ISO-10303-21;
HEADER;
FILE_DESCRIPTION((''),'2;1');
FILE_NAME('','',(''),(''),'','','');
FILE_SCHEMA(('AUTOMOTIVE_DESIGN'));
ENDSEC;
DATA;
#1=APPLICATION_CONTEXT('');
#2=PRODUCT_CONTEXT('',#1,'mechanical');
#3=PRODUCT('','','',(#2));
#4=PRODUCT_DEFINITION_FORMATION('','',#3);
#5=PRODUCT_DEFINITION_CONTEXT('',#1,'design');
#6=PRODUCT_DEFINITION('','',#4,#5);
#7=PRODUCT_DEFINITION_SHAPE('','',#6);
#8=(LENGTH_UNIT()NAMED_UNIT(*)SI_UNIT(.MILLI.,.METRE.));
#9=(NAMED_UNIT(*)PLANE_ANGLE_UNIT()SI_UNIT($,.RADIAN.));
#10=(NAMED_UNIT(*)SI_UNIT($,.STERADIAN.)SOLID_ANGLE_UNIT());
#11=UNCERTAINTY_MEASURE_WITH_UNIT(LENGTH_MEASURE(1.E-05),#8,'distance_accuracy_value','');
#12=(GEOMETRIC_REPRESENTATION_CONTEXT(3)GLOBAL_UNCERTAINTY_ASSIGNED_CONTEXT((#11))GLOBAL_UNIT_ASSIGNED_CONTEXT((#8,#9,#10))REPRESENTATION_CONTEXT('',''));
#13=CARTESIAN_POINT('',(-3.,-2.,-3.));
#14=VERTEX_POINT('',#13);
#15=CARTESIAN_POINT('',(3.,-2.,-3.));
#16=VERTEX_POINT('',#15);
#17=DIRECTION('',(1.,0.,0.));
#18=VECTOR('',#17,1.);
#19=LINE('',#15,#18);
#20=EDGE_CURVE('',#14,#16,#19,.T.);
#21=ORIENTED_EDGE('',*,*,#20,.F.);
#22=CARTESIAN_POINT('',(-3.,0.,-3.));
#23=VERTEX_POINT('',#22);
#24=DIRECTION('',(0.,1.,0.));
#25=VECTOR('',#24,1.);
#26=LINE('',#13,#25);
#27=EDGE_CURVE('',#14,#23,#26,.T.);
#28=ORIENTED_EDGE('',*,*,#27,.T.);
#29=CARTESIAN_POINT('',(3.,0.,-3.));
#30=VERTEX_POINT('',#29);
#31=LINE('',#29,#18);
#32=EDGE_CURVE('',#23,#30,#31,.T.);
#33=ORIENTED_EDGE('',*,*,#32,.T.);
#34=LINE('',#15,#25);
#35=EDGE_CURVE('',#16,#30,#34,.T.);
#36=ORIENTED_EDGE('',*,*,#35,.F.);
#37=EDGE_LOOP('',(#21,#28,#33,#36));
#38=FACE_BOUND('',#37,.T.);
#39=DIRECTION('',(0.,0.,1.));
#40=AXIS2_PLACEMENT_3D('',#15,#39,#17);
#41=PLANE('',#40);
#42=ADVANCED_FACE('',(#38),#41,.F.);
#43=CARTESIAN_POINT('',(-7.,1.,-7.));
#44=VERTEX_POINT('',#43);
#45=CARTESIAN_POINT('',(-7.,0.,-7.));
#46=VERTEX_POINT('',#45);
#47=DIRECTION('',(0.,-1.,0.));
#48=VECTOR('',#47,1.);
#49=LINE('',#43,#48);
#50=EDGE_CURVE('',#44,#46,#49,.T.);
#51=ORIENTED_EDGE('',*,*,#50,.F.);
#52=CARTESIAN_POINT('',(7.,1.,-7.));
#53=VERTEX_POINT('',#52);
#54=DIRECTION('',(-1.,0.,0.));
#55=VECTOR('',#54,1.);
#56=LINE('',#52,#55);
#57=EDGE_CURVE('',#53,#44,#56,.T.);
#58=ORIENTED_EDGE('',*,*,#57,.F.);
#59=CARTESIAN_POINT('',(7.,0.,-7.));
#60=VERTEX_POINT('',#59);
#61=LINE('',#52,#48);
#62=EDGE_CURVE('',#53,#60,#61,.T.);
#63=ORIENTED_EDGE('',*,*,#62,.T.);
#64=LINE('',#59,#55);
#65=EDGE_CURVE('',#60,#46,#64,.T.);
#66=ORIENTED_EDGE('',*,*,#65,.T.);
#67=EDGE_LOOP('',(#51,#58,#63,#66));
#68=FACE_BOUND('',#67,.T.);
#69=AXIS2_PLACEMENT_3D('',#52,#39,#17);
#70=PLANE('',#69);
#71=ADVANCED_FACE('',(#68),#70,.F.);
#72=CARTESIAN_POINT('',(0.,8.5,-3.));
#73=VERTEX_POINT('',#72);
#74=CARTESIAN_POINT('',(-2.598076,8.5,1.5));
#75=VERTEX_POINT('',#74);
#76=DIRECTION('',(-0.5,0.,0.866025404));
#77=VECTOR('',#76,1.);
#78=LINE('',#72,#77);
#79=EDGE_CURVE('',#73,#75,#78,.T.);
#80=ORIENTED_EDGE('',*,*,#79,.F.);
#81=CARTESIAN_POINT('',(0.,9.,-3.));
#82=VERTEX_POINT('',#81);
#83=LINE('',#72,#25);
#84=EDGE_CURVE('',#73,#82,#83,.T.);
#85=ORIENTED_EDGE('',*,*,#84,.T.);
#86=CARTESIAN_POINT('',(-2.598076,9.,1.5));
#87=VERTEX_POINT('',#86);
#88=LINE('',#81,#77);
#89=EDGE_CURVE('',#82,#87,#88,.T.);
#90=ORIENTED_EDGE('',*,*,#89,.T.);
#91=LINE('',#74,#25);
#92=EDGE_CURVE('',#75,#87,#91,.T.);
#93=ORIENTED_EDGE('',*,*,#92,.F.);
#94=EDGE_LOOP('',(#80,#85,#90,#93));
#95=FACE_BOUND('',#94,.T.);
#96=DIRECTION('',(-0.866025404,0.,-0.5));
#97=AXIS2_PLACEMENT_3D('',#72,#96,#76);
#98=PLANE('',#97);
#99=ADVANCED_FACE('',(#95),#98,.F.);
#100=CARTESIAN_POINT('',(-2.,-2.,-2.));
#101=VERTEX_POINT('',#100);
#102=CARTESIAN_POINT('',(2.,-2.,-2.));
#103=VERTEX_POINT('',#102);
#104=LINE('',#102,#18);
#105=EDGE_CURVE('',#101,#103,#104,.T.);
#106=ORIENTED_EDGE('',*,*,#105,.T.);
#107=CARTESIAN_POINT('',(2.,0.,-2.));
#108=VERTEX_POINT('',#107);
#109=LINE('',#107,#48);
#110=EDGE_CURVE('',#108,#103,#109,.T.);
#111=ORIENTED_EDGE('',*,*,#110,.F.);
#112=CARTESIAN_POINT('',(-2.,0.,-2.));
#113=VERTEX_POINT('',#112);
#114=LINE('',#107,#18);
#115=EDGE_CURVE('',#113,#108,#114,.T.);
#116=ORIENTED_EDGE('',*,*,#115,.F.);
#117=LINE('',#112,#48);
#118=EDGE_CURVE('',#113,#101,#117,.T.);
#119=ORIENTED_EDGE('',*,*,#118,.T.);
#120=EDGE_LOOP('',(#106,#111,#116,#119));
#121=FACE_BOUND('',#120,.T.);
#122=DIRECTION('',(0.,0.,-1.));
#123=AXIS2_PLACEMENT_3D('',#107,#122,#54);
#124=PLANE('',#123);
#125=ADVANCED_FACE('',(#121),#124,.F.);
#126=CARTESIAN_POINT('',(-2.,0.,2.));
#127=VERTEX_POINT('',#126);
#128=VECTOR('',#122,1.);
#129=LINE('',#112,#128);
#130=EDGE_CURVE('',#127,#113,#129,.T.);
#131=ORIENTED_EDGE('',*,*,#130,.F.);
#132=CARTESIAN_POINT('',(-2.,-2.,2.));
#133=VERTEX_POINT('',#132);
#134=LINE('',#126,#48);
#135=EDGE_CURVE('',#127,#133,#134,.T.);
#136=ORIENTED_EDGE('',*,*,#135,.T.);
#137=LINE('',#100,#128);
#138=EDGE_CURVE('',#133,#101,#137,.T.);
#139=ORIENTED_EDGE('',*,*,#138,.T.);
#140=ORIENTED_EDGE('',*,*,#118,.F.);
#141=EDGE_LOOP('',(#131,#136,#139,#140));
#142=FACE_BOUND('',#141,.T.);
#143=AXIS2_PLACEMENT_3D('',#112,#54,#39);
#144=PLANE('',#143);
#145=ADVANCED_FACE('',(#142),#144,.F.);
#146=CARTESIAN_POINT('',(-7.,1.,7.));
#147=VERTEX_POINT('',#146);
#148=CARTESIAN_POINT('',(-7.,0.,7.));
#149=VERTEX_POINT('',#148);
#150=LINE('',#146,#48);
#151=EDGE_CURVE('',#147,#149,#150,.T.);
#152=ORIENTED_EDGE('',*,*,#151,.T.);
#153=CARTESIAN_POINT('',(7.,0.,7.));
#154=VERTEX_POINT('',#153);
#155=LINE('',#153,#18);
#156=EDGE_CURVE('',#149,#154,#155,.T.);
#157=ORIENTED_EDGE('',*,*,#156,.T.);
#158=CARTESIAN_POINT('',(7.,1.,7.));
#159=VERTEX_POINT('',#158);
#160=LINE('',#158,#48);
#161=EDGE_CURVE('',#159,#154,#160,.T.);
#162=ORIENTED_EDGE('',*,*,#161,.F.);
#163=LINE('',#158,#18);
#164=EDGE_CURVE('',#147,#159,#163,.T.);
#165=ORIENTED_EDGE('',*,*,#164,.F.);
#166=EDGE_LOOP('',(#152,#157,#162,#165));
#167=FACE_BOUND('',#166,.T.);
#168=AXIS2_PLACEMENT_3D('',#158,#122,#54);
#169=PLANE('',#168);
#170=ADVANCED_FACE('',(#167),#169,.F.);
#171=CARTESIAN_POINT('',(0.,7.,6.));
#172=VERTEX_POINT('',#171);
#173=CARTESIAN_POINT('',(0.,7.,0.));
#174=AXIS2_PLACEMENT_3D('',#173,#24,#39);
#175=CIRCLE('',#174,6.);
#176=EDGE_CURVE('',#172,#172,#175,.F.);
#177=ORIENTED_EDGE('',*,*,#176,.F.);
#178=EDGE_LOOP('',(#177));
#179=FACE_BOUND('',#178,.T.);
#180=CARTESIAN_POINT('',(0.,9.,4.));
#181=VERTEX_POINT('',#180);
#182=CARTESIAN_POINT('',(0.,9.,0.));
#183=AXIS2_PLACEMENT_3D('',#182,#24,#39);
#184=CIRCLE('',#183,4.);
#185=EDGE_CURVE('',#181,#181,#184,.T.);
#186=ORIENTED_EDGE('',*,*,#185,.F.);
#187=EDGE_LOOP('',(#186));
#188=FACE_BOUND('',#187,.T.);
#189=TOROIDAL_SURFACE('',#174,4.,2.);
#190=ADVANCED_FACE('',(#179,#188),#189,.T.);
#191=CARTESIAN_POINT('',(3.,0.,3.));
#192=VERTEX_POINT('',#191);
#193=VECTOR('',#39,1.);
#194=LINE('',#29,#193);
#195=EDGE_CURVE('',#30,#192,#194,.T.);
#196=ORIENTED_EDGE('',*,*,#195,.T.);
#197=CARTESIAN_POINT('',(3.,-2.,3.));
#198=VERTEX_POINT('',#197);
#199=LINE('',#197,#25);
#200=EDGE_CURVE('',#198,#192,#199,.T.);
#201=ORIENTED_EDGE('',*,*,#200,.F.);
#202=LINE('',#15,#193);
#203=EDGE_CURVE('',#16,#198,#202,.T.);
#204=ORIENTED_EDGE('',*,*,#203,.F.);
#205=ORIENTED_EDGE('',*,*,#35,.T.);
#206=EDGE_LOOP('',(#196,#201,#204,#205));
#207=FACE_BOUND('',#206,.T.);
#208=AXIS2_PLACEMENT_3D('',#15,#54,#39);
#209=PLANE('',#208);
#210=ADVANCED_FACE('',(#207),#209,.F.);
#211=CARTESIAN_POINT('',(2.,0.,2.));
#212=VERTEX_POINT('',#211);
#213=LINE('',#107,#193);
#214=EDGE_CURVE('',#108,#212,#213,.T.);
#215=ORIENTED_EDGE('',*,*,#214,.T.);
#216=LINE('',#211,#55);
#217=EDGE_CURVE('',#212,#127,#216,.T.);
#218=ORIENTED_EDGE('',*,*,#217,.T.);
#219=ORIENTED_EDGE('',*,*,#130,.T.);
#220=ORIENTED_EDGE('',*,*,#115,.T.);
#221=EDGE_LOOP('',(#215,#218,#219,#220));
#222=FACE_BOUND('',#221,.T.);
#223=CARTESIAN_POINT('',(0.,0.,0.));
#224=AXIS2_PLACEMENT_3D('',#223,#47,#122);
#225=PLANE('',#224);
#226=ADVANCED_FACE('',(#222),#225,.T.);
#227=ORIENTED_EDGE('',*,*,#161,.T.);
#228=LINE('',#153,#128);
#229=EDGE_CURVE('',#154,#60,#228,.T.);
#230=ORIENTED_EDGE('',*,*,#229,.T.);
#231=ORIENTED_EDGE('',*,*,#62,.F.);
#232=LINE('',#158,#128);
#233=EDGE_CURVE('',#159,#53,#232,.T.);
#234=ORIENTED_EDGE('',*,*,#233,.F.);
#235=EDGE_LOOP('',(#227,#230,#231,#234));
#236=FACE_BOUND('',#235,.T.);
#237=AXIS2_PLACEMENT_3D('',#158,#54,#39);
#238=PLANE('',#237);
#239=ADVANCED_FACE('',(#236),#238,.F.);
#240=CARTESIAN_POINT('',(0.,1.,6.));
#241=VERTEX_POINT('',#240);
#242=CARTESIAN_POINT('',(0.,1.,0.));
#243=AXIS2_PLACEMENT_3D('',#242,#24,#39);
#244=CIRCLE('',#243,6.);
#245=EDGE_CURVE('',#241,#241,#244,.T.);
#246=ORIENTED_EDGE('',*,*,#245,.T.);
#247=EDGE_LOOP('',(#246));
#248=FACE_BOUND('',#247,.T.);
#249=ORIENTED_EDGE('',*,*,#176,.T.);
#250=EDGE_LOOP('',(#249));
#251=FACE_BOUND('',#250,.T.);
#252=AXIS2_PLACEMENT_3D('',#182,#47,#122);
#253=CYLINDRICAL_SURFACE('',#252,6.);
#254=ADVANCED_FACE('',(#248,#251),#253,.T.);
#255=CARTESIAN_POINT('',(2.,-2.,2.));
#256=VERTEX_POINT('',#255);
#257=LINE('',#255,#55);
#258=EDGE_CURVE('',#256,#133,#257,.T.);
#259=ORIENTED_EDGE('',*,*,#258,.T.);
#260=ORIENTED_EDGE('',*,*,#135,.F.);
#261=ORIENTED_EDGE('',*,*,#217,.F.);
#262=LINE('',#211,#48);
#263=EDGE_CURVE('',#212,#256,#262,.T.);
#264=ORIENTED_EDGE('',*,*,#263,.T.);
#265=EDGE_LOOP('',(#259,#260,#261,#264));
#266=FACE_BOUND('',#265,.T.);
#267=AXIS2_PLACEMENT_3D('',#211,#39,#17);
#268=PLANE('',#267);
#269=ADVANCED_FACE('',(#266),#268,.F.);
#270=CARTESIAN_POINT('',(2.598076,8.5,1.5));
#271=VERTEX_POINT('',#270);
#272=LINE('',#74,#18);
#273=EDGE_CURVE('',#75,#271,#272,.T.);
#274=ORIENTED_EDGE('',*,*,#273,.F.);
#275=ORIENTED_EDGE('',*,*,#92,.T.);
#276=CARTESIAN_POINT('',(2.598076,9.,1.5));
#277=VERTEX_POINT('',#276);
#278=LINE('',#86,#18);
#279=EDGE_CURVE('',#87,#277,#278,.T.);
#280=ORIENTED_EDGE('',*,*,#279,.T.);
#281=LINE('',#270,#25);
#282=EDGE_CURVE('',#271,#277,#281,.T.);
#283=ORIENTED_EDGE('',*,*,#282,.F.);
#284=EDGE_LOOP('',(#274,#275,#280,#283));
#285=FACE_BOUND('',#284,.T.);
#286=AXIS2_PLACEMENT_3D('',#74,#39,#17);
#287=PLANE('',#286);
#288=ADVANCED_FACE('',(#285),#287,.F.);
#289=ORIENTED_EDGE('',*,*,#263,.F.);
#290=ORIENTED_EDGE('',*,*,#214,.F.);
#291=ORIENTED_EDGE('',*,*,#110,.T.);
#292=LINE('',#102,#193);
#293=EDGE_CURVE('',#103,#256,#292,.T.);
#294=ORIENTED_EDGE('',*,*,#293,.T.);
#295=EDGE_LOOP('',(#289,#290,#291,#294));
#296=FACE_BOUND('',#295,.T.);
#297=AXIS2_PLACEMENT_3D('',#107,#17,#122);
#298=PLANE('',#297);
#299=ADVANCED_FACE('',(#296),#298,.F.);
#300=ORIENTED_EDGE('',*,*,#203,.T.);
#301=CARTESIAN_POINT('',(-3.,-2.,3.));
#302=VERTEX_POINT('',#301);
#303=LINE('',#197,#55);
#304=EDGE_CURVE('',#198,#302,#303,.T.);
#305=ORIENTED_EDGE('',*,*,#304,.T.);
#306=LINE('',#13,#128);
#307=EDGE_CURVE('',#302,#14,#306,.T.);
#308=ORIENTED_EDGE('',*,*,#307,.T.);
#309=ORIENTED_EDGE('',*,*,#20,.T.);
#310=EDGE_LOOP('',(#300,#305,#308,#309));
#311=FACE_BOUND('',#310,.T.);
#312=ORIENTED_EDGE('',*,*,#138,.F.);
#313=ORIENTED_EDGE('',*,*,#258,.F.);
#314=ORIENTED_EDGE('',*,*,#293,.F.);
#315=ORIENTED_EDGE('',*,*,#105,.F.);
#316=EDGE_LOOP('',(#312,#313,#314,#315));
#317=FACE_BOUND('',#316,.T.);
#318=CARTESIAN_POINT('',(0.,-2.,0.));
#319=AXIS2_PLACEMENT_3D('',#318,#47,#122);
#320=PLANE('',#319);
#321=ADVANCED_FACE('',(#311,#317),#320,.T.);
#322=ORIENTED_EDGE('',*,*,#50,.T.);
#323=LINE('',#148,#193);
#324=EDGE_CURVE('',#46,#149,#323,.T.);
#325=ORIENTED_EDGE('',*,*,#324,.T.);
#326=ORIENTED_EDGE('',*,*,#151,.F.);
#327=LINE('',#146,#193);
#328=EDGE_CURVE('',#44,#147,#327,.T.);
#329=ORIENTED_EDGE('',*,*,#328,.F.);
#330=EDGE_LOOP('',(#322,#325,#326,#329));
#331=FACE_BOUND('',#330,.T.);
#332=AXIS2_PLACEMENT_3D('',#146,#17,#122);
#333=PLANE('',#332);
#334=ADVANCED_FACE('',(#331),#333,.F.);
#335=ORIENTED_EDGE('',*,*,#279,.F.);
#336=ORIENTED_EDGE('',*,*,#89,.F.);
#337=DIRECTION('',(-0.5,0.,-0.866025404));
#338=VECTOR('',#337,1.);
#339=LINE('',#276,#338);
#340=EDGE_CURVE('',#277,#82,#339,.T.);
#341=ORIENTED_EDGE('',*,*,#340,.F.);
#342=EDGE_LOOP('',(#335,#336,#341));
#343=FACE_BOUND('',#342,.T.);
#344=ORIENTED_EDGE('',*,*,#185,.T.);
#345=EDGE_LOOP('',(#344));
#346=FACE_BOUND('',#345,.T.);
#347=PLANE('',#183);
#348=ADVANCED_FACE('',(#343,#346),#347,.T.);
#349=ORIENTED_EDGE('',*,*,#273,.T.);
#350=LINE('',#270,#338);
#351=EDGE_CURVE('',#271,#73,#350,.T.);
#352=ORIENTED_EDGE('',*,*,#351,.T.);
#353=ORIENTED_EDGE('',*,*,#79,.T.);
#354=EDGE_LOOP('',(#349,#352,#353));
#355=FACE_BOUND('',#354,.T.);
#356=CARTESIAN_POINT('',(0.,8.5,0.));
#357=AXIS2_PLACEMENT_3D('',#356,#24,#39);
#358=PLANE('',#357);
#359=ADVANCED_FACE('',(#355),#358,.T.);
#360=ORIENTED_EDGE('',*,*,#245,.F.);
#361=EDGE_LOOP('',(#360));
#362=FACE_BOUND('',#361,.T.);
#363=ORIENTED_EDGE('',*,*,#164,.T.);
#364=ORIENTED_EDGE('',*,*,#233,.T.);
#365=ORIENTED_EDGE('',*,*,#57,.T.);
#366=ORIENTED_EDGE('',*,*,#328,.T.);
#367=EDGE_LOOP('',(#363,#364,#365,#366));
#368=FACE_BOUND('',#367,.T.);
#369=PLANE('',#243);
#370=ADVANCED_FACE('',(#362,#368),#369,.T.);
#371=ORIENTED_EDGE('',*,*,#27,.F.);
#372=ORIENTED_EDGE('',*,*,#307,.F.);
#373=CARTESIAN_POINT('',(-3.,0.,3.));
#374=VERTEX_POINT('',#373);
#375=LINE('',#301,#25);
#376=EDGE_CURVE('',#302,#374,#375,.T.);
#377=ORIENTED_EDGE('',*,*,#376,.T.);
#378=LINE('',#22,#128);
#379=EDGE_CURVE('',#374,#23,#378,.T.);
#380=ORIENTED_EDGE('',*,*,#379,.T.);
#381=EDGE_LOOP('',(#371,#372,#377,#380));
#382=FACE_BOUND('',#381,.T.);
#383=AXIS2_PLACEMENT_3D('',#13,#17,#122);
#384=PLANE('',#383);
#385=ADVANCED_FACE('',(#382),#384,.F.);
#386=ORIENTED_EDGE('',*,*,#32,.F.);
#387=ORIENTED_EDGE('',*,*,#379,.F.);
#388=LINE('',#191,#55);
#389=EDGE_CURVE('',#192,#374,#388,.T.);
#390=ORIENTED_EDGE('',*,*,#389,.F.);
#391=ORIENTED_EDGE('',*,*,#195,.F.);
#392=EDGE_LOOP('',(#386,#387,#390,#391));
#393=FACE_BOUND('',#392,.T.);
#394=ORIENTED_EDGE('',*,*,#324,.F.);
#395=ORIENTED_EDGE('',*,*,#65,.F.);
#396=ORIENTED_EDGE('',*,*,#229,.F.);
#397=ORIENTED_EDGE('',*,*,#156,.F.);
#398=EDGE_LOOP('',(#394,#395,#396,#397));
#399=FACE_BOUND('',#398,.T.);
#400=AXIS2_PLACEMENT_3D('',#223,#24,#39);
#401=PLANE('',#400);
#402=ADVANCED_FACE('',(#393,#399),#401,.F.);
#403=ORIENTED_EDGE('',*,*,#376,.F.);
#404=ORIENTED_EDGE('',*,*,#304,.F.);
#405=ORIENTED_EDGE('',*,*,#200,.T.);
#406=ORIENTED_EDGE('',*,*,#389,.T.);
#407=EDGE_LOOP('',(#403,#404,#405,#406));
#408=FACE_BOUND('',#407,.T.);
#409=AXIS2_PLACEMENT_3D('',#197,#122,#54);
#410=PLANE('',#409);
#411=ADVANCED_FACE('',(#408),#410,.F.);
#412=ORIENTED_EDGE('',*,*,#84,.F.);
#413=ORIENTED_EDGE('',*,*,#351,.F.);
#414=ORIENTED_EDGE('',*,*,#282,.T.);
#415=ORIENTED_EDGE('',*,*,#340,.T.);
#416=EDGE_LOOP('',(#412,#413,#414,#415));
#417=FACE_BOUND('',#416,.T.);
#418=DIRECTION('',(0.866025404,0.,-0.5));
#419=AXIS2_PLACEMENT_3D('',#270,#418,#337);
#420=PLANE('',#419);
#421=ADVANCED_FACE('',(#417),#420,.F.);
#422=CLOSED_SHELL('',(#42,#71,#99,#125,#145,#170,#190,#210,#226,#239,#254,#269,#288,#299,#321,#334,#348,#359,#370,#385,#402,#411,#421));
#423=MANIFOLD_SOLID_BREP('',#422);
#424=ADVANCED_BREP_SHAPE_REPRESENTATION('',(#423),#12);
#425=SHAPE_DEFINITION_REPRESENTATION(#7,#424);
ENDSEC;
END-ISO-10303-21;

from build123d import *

# Parameters (mm, degrees)
CROQUIS1_W              = 14
CROQUIS1_H              = 14
SALIENTE_EXTRUIR1_DEPTH = 1
CROQUIS2_W              = 4
CROQUIS2_H              = 4
CORTAR_EXTRUIR1_DEPTH   = 1
CROQUIS3_W              = 6
CROQUIS3_H              = 6
SALIENTE_EXTRUIR3_DEPTH = 1
CROQUIS5_W              = 4
CROQUIS5_H              = 4
CORTAR_EXTRUIR3_DEPTH   = 1
CROQUIS6_R              = 6
SALIENTE_EXTRUIR4_DEPTH = 8
CROQUIS7_W              = 6
CROQUIS7_H              = 6
CORTAR_EXTRUIR4_DEPTH   = 2
CROQUIS8_W              = 14
CROQUIS8_H              = 14
SALIENTE_EXTRUIR5_DEPTH = 1
CROQUIS9_W              = 6
CROQUIS9_H              = 6
SALIENTE_EXTRUIR6_DEPTH = 2
CROQUIS10_W             = 4
CROQUIS10_H             = 4
CORTAR_EXTRUIR5_DEPTH   = 2
REDONDEO2_R             = 2
CORTAR_EXTRUIR6_DEPTH   = 0.5


with BuildPart() as part:
    # Croquis1 → Saliente-Extruir1 (new body)
    with BuildSketch(Plane(origin=(0, 0, 0), x_dir=(1, 0, 0), z_dir=(0, 1, 0))):
        Rectangle(CROQUIS1_W, CROQUIS1_H)
    extrude(amount=SALIENTE_EXTRUIR1_DEPTH)

    # Croquis2 → Cortar-Extruir1 (cut)
    with BuildSketch(Plane.XZ):
        Rectangle(CROQUIS2_W, CROQUIS2_H)
    extrude(amount=-CORTAR_EXTRUIR1_DEPTH, mode=Mode.SUBTRACT)

    # Croquis3 → Saliente-Extruir3 (add)
    with BuildSketch(Plane.XZ):
        Rectangle(CROQUIS3_W, CROQUIS3_H)
    extrude(amount=SALIENTE_EXTRUIR3_DEPTH)

    # Croquis5 → Cortar-Extruir3 (cut)
    with BuildSketch(Plane.XZ.offset(1)):
        Rectangle(CROQUIS5_W, CROQUIS5_H)
    extrude(amount=-CORTAR_EXTRUIR3_DEPTH, mode=Mode.SUBTRACT)

    # Croquis6 → Saliente-Extruir4 (add)
    with BuildSketch(Plane(origin=(0, 1, 0), x_dir=(1, 0, 0), z_dir=(0, 1, 0))):
        with Locations(Location((0, 0, 0), (0, 0, 270))):
            Circle(CROQUIS6_R)
    extrude(amount=SALIENTE_EXTRUIR4_DEPTH)

    # Croquis7 → Cortar-Extruir4 (cut)
    with BuildSketch(Plane.XZ.offset(1)):
        Rectangle(CROQUIS7_W, CROQUIS7_H)
    extrude(amount=-CORTAR_EXTRUIR4_DEPTH, mode=Mode.SUBTRACT)

    # Croquis8 → Saliente-Extruir5 (add)
    with BuildSketch(Plane.XZ):
        Rectangle(CROQUIS8_W, CROQUIS8_H)
    extrude(amount=-SALIENTE_EXTRUIR5_DEPTH)

    # Croquis9 → Saliente-Extruir6 (add)
    with BuildSketch(Plane.XZ):
        Rectangle(CROQUIS9_W, CROQUIS9_H)
    extrude(amount=SALIENTE_EXTRUIR6_DEPTH)

    # Croquis10 → Cortar-Extruir5 (cut)
    with BuildSketch(Plane.XZ.offset(2)):
        Rectangle(CROQUIS10_W, CROQUIS10_H)
    extrude(amount=-CORTAR_EXTRUIR5_DEPTH, mode=Mode.SUBTRACT)

    # Redondeo2
    redondeo2_edges = [part.edges().sort_by_distance(p)[0] for p in [
        (0, 9, -6),
    ]]
    fillet(redondeo2_edges, radius=REDONDEO2_R)

    # Croquis11 → Cortar-Extruir6 (cut)
    with BuildSketch(Plane(origin=(0, 9, 0), x_dir=(1, 0, 0), z_dir=(0, 1, 0))):
        Polygon((0, 3), (-2.598076211, -1.5), (2.598076211, -1.5), align=None)
    extrude(amount=-CORTAR_EXTRUIR6_DEPTH, mode=Mode.SUBTRACT)


solid = part.part
